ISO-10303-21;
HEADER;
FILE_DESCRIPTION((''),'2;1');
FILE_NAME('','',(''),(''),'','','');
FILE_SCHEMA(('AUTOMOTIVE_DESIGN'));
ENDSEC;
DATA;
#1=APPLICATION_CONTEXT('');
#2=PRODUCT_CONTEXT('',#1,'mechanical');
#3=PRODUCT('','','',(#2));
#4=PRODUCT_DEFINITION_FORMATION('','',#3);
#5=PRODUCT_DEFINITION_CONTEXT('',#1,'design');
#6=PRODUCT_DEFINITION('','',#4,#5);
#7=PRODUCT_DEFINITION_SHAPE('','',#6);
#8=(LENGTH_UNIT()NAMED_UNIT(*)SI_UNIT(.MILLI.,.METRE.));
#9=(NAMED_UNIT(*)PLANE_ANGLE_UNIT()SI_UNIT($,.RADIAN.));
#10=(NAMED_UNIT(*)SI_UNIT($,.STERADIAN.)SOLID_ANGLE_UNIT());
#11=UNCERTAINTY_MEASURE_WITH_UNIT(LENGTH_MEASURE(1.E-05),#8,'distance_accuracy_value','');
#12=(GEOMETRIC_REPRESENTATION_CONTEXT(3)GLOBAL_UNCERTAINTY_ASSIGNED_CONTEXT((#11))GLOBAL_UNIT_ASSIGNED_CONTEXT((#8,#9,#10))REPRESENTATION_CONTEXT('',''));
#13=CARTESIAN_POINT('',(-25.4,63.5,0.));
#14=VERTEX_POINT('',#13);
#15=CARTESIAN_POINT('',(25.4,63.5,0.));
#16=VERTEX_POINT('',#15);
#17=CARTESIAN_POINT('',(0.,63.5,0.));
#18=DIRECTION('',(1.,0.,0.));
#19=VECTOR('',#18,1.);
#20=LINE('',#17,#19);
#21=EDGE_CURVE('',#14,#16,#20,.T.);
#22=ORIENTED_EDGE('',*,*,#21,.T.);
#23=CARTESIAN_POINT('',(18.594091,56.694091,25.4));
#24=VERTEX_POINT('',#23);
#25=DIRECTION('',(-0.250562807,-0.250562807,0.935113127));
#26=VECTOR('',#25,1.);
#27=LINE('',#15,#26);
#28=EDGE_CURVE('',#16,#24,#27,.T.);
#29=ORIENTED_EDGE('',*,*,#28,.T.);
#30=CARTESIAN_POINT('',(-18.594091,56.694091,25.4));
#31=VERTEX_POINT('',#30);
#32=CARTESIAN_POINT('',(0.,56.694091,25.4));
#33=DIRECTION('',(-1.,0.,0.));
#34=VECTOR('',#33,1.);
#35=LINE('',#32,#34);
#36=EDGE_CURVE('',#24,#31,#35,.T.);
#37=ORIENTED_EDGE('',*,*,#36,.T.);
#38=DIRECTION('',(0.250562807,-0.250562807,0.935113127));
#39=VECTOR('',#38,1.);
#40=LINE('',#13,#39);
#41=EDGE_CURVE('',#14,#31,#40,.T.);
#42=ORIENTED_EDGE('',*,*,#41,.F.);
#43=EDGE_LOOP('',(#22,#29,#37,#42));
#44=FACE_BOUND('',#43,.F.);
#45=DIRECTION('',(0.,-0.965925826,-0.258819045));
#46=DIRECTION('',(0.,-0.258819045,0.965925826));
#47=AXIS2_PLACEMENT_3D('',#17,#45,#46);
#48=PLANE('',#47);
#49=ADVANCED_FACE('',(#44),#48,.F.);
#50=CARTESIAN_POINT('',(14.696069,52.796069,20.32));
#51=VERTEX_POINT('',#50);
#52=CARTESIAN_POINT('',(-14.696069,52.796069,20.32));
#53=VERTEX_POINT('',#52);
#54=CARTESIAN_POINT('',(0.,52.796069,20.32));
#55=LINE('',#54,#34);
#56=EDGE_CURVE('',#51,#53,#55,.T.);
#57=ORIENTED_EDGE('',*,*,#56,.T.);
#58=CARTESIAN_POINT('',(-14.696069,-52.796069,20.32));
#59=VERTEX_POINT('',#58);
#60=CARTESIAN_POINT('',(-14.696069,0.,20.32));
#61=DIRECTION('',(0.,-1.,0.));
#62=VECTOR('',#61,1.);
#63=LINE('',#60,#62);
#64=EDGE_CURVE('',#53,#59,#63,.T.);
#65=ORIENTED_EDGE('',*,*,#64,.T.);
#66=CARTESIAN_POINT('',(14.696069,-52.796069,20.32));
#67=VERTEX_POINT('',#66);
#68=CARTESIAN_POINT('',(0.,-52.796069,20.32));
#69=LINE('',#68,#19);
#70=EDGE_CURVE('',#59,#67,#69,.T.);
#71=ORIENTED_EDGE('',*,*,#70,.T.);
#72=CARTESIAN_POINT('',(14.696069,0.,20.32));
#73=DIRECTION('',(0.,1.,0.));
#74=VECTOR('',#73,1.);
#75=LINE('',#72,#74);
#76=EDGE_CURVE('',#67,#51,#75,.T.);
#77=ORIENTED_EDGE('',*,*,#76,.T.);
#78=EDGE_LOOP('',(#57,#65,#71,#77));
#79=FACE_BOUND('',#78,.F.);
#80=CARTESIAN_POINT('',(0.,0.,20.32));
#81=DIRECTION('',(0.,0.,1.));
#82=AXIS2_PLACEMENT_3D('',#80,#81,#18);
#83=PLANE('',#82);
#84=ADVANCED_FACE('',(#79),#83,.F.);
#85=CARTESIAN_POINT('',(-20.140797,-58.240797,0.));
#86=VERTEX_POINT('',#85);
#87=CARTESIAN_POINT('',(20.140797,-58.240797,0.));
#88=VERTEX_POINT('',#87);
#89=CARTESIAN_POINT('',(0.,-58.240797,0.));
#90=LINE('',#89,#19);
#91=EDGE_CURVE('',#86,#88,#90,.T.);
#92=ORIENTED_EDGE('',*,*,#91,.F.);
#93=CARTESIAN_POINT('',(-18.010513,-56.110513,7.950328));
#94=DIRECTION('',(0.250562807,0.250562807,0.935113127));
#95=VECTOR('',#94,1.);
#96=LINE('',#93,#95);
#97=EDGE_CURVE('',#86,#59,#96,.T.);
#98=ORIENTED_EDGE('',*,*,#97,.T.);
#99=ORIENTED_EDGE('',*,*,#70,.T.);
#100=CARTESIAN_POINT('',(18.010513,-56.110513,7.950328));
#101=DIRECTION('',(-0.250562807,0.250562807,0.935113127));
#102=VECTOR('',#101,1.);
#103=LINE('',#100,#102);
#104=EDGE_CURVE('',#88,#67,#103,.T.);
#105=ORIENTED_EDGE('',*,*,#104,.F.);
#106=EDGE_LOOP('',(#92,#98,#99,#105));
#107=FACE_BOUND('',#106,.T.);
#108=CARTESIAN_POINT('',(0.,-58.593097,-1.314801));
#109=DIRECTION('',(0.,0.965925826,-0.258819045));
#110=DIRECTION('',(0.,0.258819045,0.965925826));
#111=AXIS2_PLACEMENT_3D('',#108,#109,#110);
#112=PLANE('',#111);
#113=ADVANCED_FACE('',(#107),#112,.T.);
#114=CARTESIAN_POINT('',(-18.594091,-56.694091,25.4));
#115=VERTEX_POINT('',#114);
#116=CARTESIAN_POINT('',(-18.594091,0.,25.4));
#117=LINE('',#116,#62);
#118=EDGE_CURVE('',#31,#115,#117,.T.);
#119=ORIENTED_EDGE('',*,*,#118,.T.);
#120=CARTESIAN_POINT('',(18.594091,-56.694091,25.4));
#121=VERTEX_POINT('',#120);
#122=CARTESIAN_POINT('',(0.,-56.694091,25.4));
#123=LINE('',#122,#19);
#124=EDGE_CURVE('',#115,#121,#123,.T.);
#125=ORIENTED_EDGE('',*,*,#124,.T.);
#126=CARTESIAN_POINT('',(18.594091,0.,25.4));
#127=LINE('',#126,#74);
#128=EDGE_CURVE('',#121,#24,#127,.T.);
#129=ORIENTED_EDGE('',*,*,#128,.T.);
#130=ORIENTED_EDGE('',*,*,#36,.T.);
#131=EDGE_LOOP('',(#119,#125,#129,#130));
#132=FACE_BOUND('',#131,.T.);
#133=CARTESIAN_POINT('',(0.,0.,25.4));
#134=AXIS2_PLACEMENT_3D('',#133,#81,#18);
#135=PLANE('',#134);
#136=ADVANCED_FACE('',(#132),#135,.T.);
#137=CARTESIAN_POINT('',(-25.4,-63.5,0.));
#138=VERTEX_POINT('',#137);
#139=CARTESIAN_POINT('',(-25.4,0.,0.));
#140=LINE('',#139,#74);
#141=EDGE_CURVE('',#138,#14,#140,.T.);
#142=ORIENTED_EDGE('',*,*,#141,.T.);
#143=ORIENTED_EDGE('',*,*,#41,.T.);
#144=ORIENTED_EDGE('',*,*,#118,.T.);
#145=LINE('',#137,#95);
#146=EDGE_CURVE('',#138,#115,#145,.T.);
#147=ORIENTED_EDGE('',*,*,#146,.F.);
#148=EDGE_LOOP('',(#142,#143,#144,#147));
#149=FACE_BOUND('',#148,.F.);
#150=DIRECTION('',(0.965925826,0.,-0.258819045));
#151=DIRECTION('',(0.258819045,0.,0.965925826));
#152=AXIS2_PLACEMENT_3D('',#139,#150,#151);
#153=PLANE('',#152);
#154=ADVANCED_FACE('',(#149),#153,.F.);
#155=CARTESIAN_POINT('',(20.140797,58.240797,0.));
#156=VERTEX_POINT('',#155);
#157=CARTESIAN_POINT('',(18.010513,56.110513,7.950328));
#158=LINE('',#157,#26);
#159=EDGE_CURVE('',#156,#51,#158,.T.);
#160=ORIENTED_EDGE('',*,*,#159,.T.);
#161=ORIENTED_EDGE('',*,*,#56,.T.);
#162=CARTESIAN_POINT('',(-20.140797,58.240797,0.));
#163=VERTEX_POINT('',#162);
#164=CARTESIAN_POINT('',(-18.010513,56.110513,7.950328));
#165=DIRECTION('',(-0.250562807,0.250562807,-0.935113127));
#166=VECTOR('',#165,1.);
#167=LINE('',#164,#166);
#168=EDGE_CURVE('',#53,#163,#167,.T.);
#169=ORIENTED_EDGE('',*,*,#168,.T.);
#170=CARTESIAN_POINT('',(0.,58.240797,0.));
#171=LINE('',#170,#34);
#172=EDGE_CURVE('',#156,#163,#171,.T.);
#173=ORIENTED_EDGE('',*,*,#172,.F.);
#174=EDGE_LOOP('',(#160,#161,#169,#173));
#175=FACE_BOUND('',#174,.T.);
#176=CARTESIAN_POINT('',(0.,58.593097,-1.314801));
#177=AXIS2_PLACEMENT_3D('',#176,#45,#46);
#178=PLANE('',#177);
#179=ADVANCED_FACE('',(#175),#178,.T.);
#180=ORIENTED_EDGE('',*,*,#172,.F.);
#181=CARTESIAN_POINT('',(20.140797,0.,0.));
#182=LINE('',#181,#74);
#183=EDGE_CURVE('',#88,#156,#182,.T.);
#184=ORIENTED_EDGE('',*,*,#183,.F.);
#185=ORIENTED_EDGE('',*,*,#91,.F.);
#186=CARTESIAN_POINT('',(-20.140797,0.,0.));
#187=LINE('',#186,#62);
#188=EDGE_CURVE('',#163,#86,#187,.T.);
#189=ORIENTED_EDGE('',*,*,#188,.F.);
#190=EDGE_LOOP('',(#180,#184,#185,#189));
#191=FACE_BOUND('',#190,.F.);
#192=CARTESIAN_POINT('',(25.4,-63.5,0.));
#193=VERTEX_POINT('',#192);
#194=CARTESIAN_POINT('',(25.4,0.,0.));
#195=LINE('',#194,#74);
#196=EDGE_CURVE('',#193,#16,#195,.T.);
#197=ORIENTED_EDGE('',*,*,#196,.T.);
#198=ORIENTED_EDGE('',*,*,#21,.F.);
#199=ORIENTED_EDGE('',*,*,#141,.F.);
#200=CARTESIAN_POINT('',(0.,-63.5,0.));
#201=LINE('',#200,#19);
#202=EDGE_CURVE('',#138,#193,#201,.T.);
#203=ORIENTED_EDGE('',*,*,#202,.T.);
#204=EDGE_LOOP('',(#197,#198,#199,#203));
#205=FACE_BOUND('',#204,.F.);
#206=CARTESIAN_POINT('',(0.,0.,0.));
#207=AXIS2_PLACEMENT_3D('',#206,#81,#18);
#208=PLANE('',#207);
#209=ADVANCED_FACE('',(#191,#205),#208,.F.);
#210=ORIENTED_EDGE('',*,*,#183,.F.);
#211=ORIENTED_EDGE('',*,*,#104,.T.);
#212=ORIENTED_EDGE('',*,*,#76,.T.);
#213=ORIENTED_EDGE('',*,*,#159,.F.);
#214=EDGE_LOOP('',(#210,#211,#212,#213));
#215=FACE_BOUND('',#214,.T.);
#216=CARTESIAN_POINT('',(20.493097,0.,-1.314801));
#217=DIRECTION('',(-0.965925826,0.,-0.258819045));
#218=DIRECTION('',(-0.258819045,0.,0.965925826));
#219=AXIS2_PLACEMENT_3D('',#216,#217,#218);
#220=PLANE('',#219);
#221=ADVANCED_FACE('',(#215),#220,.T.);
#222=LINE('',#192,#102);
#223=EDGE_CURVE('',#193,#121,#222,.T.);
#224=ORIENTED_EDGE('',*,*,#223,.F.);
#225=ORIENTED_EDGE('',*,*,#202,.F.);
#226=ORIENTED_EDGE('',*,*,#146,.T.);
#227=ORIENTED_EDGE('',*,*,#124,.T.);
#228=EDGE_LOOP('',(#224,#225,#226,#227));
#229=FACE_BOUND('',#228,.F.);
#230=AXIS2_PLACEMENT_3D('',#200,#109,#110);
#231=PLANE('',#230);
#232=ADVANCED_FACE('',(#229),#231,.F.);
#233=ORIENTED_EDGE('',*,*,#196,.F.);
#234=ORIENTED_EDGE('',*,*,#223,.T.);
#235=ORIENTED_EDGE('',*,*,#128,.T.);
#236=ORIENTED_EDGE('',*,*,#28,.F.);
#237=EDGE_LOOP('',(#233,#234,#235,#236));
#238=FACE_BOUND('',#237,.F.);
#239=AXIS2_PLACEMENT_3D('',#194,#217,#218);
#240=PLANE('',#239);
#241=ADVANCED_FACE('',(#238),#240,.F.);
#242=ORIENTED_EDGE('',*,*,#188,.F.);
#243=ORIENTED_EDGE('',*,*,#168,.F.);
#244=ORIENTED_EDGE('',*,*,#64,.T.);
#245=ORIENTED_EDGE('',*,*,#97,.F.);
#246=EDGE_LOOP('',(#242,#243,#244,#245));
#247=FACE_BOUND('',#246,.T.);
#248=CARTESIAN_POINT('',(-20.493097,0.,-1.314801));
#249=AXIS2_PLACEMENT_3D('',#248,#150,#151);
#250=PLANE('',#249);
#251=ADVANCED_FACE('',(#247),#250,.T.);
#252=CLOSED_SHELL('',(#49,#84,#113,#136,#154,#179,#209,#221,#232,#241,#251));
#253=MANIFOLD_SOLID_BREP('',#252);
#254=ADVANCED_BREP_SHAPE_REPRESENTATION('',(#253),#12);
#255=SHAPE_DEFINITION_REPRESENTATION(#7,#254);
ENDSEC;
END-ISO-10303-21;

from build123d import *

# Parameters (mm, degrees)
F0_W     = 50.8
F0_H     = 127
F1_DEPTH = 25.4
F1_TAPER = 15
F2_T     = -5.08


with BuildPart() as f1:
    # F0 (on Top) → F1 (new body)
    with BuildSketch(Plane.XY):
        Rectangle(F0_W, F0_H)
    extrude(amount=F1_DEPTH, taper=F1_TAPER)

    # F2
    f2_openings = [f1.faces().sort_by_distance(p)[0] for p in [
        (0, 0, 0),
    ]]
    offset(amount=F2_T, openings=f2_openings)


solid = f1.part
